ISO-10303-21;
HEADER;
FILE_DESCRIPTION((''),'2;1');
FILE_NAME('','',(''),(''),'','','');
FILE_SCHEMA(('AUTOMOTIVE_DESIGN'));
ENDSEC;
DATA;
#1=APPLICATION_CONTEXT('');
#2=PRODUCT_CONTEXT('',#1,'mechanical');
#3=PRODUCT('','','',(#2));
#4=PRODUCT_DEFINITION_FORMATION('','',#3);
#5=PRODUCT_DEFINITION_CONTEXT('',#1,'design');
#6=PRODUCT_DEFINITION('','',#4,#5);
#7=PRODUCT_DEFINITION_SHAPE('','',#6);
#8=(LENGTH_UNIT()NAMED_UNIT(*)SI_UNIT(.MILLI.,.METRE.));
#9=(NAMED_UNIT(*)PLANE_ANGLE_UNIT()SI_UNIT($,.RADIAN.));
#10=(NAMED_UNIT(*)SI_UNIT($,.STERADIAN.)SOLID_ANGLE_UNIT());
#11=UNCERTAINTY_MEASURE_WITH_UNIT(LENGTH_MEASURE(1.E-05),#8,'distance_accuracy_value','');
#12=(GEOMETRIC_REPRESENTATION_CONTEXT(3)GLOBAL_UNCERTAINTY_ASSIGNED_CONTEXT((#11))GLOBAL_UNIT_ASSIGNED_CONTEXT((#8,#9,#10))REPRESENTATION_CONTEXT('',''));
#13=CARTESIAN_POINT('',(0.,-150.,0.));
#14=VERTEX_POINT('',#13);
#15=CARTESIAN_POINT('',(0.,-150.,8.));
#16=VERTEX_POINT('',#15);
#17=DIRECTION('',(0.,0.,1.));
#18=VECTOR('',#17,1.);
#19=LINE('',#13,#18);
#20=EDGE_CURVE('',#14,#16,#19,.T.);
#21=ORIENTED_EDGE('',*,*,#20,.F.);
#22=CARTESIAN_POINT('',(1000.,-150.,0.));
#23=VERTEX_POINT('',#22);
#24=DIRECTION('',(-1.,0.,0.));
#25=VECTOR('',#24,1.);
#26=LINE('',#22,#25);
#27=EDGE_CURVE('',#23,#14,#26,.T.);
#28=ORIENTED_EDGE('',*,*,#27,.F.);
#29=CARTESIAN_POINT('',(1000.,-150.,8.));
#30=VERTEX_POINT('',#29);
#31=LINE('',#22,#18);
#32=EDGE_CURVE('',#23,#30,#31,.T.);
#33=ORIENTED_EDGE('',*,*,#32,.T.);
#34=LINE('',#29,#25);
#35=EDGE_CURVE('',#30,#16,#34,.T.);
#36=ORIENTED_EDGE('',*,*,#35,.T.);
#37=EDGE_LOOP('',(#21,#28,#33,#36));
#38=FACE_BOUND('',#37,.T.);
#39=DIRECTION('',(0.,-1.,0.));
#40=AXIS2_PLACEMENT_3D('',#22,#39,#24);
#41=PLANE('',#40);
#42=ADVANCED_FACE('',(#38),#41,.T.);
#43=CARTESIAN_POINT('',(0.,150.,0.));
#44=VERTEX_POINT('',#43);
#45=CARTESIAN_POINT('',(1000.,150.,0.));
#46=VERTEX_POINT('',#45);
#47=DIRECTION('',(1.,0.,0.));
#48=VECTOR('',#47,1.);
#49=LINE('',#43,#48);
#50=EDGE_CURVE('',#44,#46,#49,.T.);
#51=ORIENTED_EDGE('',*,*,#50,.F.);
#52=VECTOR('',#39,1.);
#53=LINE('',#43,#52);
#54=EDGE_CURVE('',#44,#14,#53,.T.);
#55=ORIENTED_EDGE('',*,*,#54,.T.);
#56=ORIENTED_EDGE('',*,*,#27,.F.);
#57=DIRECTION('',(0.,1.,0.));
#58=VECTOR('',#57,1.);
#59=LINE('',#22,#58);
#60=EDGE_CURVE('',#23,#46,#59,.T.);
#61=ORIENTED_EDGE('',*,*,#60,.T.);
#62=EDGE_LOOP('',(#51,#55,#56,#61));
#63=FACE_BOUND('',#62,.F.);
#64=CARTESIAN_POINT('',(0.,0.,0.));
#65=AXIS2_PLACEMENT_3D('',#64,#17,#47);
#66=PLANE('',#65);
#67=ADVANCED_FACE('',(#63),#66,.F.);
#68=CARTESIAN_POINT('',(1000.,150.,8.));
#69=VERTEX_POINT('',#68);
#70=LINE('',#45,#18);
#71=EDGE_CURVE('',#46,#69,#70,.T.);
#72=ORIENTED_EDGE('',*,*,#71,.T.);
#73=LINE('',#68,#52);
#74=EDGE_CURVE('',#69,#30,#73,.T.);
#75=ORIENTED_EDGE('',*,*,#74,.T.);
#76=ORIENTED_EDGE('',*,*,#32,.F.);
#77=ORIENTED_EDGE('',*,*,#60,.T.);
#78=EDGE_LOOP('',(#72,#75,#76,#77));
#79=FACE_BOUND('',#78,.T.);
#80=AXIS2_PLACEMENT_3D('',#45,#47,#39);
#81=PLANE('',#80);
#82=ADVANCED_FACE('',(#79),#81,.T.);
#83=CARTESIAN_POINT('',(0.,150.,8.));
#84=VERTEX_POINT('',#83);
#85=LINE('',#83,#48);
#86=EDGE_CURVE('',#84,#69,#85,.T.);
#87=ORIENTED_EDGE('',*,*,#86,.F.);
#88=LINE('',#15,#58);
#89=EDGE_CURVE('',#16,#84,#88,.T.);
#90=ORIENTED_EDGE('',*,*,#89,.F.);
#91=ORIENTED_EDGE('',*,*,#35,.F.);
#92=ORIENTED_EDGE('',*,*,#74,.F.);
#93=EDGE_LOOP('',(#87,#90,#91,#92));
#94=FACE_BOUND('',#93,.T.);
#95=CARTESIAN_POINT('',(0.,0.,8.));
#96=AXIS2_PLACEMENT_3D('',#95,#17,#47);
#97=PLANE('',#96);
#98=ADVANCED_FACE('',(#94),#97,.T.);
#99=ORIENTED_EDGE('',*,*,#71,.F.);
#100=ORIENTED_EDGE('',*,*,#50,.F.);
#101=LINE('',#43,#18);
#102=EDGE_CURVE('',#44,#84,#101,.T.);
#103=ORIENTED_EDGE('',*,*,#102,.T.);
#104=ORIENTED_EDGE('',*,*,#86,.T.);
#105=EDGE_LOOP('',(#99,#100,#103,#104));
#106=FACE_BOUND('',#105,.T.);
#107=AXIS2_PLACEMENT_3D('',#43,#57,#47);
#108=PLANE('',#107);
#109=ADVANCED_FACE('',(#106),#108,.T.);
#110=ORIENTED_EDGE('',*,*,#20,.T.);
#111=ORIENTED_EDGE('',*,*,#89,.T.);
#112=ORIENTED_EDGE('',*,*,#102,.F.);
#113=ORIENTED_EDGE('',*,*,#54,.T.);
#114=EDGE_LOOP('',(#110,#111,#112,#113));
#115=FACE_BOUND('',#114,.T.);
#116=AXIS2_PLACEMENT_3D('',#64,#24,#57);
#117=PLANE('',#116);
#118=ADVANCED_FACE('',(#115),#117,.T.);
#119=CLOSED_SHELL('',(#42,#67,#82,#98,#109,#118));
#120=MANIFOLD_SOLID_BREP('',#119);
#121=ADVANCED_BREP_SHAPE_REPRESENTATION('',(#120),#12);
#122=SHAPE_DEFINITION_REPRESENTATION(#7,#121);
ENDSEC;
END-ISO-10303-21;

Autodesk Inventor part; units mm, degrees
ref_plane "YZ Plane" through (0, 0, 0) normal (1, 0, 0) x (0, 1, 0)
ref_plane "XZ Plane" through (0, 0, 0) normal (0, 1, 0) x (-1, 0, 0)
sketch "ferrite_layer_outline_sketch" plane through (0, 0, 0) normal (0, 0, 1) x (1, 0, 0)
  line L0 (0, 150) -> (1000, 150)
  line L1 (1000, 150) -> (1000, -150)
  line L2 (1000, -150) -> (0, -150)
  line L3 (0, -150) -> (0, 150)
  line L4 (-200, 0) -> (1200, 0) projected
  line L5 (500, 150) -> (500, -150) construction
  line L6 (500, 366.8869) -> (500, -324.3455) construction
  line L7 (20, 109) -> (35, 109)
  line L8 (35, 109) -> (35, -109)
  line L9 (35, -109) -> (20, -109)
  line L10 (20, -109) -> (20, 109)
  line L11 (177.5, -109) -> (177.5, 109)
  line L12 (177.5, 109) -> (192.5, 109)
  line L13 (192.5, 109) -> (192.5, -109)
  line L14 (192.5, -109) -> (177.5, -109)
  line L15 (335, -109) -> (335, 109)
  line L16 (335, 109) -> (350, 109)
  line L17 (350, 109) -> (350, -109)
  line L18 (350, -109) -> (335, -109)
  line L19 (492.5, -109) -> (492.5, 109)
  line L20 (492.5, 109) -> (507.5, 109)
  line L21 (507.5, 109) -> (507.5, -109)
  line L22 (507.5, -109) -> (492.5, -109)
  line L23 (650, -109) -> (650, 109)
  line L24 (650, 109) -> (665, 109)
  line L25 (665, 109) -> (665, -109)
  line L26 (665, -109) -> (650, -109)
  line L27 (807.5, -109) -> (807.5, 109)
  line L28 (807.5, 109) -> (822.5, 109)
  line L29 (822.5, 109) -> (822.5, -109)
  line L30 (822.5, -109) -> (807.5, -109)
  line L31 (965, -109) -> (965, 109)
  line L32 (965, 109) -> (980, 109)
  line L33 (980, 109) -> (980, -109)
  line L34 (980, -109) -> (965, -109)
  line L35 (155, 109) -> (170, 109)
  line L36 (155, -109) -> (155, 109)
  line L37 (170, 109) -> (170, -109)
  line L38 (170, -109) -> (155, -109)
  line L39 (290, 109) -> (305, 109)
  line L40 (290, -109) -> (290, 109)
  line L41 (305, 109) -> (305, -109)
  line L42 (305, -109) -> (290, -109)
  line L43 (425, 109) -> (440, 109)
  line L44 (425, -109) -> (425, 109)
  line L45 (440, 109) -> (440, -109)
  line L46 (440, -109) -> (425, -109)
  line L47 (560, 109) -> (575, 109)
  line L48 (560, -109) -> (560, 109)
  line L49 (575, 109) -> (575, -109)
  line L50 (575, -109) -> (560, -109)
  line L51 (695, 109) -> (710, 109)
  line L52 (695, -109) -> (695, 109)
  line L53 (710, 109) -> (710, -109)
  line L54 (710, -109) -> (695, -109)
  line L55 (830, 109) -> (845, 109)
  line L56 (830, -109) -> (830, 109)
  line L57 (845, 109) -> (845, -109)
  line L58 (845, -109) -> (830, -109)
  line L59 (965, 109) -> (980, 109)
  line L60 (965, -109) -> (965, 109)
  line L61 (980, 109) -> (980, -109)
  line L62 (980, -109) -> (965, -109)
  line L63 (125, -109) -> (125, 109)
  line L64 (125, 109) -> (140, 109)
  line L65 (140, 109) -> (140, -109)
  line L66 (230, -109) -> (230, 109)
  line L67 (230, 109) -> (245, 109)
  line L68 (245, 109) -> (245, -109)
  line L69 (335, -109) -> (335, 109)
  line L70 (335, 109) -> (350, 109)
  line L71 (350, 109) -> (350, -109)
  line L72 (440, -109) -> (440, 109)
  line L73 (440, 109) -> (455, 109)
  line L74 (455, 109) -> (455, -109)
  line L75 (545, -109) -> (545, 109)
  line L76 (545, 109) -> (560, 109)
  line L77 (560, 109) -> (560, -109)
  line L78 (650, -109) -> (650, 109)
  line L79 (650, 109) -> (665, 109)
  line L80 (665, 109) -> (665, -109)
  line L81 (755, -109) -> (755, 109)
  line L82 (755, 109) -> (770, 109)
  line L83 (770, 109) -> (770, -109)
  line L84 (860, -109) -> (860, 109)
  line L85 (860, 109) -> (875, 109)
  line L86 (875, 109) -> (875, -109)
  line L87 (965, -109) -> (965, 109)
  line L88 (965, 109) -> (980, 109)
  line L89 (980, 109) -> (980, -109)
  line L90 (114.5, -109) -> (114.5, 109)
  line L91 (114.5, 109) -> (129.5, 109)
  line L92 (129.5, 109) -> (129.5, -109)
  line L93 (129.5, -109) -> (114.5, -109)
  line L94 (209, -109) -> (209, 109)
  line L95 (209, 109) -> (224, 109)
  line L96 (224, 109) -> (224, -109)
  line L97 (224, -109) -> (209, -109)
  line L98 (303.5, -109) -> (303.5, 109)
  line L99 (303.5, 109) -> (318.5, 109)
  line L100 (318.5, 109) -> (318.5, -109)
  line L101 (318.5, -109) -> (303.5, -109)
  line L102 (398, -109) -> (398, 109)
  line L103 (398, 109) -> (413, 109)
  line L104 (413, 109) -> (413, -109)
  line L105 (413, -109) -> (398, -109)
  line L106 (492.5, -109) -> (492.5, 109)
  line L107 (492.5, 109) -> (507.5, 109)
  line L108 (507.5, 109) -> (507.5, -109)
  line L109 (507.5, -109) -> (492.5, -109)
  line L110 (587, -109) -> (587, 109)
  line L111 (587, 109) -> (602, 109)
  line L112 (602, 109) -> (602, -109)
  line L113 (602, -109) -> (587, -109)
  line L114 (681.5, -109) -> (681.5, 109)
  line L115 (681.5, 109) -> (696.5, 109)
  line L116 (696.5, 109) -> (696.5, -109)
  line L117 (696.5, -109) -> (681.5, -109)
  line L118 (776, -109) -> (776, 109)
  line L119 (776, 109) -> (791, 109)
  line L120 (791, 109) -> (791, -109)
  line L121 (791, -109) -> (776, -109)
  line L122 (870.5, -109) -> (870.5, 109)
  line L123 (870.5, 109) -> (885.5, 109)
  line L124 (885.5, 109) -> (885.5, -109)
  line L125 (885.5, -109) -> (870.5, -109)
  line L126 (965, -109) -> (965, 109)
  line L127 (965, 109) -> (980, 109)
  line L128 (980, 109) -> (980, -109)
  line L129 (980, -109) -> (965, -109)
  point P0 (0, 0)
  point P1 (0, 0)
  point P2 (0, 0)
  point P3 (0, 0)
  point P4 (20, 0)
  point P5 (177.5, 0)
  point P6 (335, 0)
  point P7 (492.5, 0)
  point P8 (650, 0)
  point P9 (807.5, 0)
  point P10 (965, 0)
  point P11 (155, 0)
  point P12 (290, 0)
  point P13 (425, 0)
  point P14 (560, 0)
  point P15 (695, 0)
  point P16 (830, 0)
  point P17 (965, 0)
  point P18 (125, 0)
  point P19 (230, 0)
  point P20 (335, 0)
  point P21 (440, 0)
  point P22 (545, 0)
  point P23 (650, 0)
  point P24 (755, 0)
  point P25 (860, 0)
  point P26 (965, 0)
  point P27 (114.5, 0)
  point P28 (209, 0)
  point P29 (303.5, 0)
  point P30 (398, 0)
  point P31 (492.5, 0)
  point P32 (587, 0)
  point P33 (681.5, 0)
  point P34 (776, 0)
  point P35 (870.5, 0)
  point P36 (965, 0)
  dimension "d0" = 1000
  dimension "d1" = 300
  dimension "d63" = 20
  dimension "d64" = 218
  dimension "d65" = 15
  dimension "d68" = 157.5
  dimension "d75" = 135
  dimension "d82" = 105
  dimension "d89" = 94.5
extrude "Extrusion8" add sketch "ferrite_layer_outline_sketch" along normal blind 8
ref_plane "acrylic_sheet_plane" through (0, 0, 8) normal (0, 0, 1) x (1, 0, 0)
sketch "Sketch4" plane through (0, 0, 8) normal (0, 0, 1) x (1, 0, 0)
  line L0 (20, 109) -> (35, 109)
  line L1 (35, 109) -> (35, -109)
  line L2 (35, -109) -> (20, -109)
  line L3 (20, -109) -> (20, 109)
  line L4 (-12.6534, 0) -> (47.471, 0)
  line L5 (0, 150) -> (0, -150) projected
  line L6 (1000, 150) -> (0, 150) projected
  line L7 (0, -150) -> (1000, -150) projected
  point P0 (0, 0)
  point P1 (20, 0)
  point P2 (0, 0)
  point P3 (500, 150)
  point P4 (500, -150)
  dimension "d43" = 15
  dimension "d44" = 218
  dimension "d45" = 20
extrude "Extrusion9" [suppressed]
pattern_linear "Rectangular Pattern1" [suppressed]
pattern_linear "Rectangular Pattern2" [suppressed]
pattern_linear "Rectangular Pattern3" [suppressed]
pattern_linear "pattern_test_#_of_ferrites" [suppressed]
equation "\"d0\" = track_length"
equation "\"d1\" = track_width"
equation "\"d63\" = gap_distance"
equation "\"d64\" = ferrite_length"
equation "\"d65\" = ferrite_width"
equation "\"d43\" = ferrite_width"
equation "\"d44\" = ferrite_length"
equation "\"d45\" = gap_distance"
equation "\"d50\" = parameter_5"
equation "\"d62\" = test_parameter_5"
equation "\"track_length\" = 1000"
equation "\"track_width\" = 300"
equation "\"gap_distance\" = 20"
equation "\"ferrite_length\" = 218"
equation "\"ferrite_width\" = 15"
equation "\"ferrite_height\" = 8"
equation "\"acrylic_sheet_8mm\" = 8"
equation "\"parameter_5\" = 94.5"
equation "\"test_parameter_5\" = 67.5"
properties part number "ferrite_layer_dex_laser_cut"
